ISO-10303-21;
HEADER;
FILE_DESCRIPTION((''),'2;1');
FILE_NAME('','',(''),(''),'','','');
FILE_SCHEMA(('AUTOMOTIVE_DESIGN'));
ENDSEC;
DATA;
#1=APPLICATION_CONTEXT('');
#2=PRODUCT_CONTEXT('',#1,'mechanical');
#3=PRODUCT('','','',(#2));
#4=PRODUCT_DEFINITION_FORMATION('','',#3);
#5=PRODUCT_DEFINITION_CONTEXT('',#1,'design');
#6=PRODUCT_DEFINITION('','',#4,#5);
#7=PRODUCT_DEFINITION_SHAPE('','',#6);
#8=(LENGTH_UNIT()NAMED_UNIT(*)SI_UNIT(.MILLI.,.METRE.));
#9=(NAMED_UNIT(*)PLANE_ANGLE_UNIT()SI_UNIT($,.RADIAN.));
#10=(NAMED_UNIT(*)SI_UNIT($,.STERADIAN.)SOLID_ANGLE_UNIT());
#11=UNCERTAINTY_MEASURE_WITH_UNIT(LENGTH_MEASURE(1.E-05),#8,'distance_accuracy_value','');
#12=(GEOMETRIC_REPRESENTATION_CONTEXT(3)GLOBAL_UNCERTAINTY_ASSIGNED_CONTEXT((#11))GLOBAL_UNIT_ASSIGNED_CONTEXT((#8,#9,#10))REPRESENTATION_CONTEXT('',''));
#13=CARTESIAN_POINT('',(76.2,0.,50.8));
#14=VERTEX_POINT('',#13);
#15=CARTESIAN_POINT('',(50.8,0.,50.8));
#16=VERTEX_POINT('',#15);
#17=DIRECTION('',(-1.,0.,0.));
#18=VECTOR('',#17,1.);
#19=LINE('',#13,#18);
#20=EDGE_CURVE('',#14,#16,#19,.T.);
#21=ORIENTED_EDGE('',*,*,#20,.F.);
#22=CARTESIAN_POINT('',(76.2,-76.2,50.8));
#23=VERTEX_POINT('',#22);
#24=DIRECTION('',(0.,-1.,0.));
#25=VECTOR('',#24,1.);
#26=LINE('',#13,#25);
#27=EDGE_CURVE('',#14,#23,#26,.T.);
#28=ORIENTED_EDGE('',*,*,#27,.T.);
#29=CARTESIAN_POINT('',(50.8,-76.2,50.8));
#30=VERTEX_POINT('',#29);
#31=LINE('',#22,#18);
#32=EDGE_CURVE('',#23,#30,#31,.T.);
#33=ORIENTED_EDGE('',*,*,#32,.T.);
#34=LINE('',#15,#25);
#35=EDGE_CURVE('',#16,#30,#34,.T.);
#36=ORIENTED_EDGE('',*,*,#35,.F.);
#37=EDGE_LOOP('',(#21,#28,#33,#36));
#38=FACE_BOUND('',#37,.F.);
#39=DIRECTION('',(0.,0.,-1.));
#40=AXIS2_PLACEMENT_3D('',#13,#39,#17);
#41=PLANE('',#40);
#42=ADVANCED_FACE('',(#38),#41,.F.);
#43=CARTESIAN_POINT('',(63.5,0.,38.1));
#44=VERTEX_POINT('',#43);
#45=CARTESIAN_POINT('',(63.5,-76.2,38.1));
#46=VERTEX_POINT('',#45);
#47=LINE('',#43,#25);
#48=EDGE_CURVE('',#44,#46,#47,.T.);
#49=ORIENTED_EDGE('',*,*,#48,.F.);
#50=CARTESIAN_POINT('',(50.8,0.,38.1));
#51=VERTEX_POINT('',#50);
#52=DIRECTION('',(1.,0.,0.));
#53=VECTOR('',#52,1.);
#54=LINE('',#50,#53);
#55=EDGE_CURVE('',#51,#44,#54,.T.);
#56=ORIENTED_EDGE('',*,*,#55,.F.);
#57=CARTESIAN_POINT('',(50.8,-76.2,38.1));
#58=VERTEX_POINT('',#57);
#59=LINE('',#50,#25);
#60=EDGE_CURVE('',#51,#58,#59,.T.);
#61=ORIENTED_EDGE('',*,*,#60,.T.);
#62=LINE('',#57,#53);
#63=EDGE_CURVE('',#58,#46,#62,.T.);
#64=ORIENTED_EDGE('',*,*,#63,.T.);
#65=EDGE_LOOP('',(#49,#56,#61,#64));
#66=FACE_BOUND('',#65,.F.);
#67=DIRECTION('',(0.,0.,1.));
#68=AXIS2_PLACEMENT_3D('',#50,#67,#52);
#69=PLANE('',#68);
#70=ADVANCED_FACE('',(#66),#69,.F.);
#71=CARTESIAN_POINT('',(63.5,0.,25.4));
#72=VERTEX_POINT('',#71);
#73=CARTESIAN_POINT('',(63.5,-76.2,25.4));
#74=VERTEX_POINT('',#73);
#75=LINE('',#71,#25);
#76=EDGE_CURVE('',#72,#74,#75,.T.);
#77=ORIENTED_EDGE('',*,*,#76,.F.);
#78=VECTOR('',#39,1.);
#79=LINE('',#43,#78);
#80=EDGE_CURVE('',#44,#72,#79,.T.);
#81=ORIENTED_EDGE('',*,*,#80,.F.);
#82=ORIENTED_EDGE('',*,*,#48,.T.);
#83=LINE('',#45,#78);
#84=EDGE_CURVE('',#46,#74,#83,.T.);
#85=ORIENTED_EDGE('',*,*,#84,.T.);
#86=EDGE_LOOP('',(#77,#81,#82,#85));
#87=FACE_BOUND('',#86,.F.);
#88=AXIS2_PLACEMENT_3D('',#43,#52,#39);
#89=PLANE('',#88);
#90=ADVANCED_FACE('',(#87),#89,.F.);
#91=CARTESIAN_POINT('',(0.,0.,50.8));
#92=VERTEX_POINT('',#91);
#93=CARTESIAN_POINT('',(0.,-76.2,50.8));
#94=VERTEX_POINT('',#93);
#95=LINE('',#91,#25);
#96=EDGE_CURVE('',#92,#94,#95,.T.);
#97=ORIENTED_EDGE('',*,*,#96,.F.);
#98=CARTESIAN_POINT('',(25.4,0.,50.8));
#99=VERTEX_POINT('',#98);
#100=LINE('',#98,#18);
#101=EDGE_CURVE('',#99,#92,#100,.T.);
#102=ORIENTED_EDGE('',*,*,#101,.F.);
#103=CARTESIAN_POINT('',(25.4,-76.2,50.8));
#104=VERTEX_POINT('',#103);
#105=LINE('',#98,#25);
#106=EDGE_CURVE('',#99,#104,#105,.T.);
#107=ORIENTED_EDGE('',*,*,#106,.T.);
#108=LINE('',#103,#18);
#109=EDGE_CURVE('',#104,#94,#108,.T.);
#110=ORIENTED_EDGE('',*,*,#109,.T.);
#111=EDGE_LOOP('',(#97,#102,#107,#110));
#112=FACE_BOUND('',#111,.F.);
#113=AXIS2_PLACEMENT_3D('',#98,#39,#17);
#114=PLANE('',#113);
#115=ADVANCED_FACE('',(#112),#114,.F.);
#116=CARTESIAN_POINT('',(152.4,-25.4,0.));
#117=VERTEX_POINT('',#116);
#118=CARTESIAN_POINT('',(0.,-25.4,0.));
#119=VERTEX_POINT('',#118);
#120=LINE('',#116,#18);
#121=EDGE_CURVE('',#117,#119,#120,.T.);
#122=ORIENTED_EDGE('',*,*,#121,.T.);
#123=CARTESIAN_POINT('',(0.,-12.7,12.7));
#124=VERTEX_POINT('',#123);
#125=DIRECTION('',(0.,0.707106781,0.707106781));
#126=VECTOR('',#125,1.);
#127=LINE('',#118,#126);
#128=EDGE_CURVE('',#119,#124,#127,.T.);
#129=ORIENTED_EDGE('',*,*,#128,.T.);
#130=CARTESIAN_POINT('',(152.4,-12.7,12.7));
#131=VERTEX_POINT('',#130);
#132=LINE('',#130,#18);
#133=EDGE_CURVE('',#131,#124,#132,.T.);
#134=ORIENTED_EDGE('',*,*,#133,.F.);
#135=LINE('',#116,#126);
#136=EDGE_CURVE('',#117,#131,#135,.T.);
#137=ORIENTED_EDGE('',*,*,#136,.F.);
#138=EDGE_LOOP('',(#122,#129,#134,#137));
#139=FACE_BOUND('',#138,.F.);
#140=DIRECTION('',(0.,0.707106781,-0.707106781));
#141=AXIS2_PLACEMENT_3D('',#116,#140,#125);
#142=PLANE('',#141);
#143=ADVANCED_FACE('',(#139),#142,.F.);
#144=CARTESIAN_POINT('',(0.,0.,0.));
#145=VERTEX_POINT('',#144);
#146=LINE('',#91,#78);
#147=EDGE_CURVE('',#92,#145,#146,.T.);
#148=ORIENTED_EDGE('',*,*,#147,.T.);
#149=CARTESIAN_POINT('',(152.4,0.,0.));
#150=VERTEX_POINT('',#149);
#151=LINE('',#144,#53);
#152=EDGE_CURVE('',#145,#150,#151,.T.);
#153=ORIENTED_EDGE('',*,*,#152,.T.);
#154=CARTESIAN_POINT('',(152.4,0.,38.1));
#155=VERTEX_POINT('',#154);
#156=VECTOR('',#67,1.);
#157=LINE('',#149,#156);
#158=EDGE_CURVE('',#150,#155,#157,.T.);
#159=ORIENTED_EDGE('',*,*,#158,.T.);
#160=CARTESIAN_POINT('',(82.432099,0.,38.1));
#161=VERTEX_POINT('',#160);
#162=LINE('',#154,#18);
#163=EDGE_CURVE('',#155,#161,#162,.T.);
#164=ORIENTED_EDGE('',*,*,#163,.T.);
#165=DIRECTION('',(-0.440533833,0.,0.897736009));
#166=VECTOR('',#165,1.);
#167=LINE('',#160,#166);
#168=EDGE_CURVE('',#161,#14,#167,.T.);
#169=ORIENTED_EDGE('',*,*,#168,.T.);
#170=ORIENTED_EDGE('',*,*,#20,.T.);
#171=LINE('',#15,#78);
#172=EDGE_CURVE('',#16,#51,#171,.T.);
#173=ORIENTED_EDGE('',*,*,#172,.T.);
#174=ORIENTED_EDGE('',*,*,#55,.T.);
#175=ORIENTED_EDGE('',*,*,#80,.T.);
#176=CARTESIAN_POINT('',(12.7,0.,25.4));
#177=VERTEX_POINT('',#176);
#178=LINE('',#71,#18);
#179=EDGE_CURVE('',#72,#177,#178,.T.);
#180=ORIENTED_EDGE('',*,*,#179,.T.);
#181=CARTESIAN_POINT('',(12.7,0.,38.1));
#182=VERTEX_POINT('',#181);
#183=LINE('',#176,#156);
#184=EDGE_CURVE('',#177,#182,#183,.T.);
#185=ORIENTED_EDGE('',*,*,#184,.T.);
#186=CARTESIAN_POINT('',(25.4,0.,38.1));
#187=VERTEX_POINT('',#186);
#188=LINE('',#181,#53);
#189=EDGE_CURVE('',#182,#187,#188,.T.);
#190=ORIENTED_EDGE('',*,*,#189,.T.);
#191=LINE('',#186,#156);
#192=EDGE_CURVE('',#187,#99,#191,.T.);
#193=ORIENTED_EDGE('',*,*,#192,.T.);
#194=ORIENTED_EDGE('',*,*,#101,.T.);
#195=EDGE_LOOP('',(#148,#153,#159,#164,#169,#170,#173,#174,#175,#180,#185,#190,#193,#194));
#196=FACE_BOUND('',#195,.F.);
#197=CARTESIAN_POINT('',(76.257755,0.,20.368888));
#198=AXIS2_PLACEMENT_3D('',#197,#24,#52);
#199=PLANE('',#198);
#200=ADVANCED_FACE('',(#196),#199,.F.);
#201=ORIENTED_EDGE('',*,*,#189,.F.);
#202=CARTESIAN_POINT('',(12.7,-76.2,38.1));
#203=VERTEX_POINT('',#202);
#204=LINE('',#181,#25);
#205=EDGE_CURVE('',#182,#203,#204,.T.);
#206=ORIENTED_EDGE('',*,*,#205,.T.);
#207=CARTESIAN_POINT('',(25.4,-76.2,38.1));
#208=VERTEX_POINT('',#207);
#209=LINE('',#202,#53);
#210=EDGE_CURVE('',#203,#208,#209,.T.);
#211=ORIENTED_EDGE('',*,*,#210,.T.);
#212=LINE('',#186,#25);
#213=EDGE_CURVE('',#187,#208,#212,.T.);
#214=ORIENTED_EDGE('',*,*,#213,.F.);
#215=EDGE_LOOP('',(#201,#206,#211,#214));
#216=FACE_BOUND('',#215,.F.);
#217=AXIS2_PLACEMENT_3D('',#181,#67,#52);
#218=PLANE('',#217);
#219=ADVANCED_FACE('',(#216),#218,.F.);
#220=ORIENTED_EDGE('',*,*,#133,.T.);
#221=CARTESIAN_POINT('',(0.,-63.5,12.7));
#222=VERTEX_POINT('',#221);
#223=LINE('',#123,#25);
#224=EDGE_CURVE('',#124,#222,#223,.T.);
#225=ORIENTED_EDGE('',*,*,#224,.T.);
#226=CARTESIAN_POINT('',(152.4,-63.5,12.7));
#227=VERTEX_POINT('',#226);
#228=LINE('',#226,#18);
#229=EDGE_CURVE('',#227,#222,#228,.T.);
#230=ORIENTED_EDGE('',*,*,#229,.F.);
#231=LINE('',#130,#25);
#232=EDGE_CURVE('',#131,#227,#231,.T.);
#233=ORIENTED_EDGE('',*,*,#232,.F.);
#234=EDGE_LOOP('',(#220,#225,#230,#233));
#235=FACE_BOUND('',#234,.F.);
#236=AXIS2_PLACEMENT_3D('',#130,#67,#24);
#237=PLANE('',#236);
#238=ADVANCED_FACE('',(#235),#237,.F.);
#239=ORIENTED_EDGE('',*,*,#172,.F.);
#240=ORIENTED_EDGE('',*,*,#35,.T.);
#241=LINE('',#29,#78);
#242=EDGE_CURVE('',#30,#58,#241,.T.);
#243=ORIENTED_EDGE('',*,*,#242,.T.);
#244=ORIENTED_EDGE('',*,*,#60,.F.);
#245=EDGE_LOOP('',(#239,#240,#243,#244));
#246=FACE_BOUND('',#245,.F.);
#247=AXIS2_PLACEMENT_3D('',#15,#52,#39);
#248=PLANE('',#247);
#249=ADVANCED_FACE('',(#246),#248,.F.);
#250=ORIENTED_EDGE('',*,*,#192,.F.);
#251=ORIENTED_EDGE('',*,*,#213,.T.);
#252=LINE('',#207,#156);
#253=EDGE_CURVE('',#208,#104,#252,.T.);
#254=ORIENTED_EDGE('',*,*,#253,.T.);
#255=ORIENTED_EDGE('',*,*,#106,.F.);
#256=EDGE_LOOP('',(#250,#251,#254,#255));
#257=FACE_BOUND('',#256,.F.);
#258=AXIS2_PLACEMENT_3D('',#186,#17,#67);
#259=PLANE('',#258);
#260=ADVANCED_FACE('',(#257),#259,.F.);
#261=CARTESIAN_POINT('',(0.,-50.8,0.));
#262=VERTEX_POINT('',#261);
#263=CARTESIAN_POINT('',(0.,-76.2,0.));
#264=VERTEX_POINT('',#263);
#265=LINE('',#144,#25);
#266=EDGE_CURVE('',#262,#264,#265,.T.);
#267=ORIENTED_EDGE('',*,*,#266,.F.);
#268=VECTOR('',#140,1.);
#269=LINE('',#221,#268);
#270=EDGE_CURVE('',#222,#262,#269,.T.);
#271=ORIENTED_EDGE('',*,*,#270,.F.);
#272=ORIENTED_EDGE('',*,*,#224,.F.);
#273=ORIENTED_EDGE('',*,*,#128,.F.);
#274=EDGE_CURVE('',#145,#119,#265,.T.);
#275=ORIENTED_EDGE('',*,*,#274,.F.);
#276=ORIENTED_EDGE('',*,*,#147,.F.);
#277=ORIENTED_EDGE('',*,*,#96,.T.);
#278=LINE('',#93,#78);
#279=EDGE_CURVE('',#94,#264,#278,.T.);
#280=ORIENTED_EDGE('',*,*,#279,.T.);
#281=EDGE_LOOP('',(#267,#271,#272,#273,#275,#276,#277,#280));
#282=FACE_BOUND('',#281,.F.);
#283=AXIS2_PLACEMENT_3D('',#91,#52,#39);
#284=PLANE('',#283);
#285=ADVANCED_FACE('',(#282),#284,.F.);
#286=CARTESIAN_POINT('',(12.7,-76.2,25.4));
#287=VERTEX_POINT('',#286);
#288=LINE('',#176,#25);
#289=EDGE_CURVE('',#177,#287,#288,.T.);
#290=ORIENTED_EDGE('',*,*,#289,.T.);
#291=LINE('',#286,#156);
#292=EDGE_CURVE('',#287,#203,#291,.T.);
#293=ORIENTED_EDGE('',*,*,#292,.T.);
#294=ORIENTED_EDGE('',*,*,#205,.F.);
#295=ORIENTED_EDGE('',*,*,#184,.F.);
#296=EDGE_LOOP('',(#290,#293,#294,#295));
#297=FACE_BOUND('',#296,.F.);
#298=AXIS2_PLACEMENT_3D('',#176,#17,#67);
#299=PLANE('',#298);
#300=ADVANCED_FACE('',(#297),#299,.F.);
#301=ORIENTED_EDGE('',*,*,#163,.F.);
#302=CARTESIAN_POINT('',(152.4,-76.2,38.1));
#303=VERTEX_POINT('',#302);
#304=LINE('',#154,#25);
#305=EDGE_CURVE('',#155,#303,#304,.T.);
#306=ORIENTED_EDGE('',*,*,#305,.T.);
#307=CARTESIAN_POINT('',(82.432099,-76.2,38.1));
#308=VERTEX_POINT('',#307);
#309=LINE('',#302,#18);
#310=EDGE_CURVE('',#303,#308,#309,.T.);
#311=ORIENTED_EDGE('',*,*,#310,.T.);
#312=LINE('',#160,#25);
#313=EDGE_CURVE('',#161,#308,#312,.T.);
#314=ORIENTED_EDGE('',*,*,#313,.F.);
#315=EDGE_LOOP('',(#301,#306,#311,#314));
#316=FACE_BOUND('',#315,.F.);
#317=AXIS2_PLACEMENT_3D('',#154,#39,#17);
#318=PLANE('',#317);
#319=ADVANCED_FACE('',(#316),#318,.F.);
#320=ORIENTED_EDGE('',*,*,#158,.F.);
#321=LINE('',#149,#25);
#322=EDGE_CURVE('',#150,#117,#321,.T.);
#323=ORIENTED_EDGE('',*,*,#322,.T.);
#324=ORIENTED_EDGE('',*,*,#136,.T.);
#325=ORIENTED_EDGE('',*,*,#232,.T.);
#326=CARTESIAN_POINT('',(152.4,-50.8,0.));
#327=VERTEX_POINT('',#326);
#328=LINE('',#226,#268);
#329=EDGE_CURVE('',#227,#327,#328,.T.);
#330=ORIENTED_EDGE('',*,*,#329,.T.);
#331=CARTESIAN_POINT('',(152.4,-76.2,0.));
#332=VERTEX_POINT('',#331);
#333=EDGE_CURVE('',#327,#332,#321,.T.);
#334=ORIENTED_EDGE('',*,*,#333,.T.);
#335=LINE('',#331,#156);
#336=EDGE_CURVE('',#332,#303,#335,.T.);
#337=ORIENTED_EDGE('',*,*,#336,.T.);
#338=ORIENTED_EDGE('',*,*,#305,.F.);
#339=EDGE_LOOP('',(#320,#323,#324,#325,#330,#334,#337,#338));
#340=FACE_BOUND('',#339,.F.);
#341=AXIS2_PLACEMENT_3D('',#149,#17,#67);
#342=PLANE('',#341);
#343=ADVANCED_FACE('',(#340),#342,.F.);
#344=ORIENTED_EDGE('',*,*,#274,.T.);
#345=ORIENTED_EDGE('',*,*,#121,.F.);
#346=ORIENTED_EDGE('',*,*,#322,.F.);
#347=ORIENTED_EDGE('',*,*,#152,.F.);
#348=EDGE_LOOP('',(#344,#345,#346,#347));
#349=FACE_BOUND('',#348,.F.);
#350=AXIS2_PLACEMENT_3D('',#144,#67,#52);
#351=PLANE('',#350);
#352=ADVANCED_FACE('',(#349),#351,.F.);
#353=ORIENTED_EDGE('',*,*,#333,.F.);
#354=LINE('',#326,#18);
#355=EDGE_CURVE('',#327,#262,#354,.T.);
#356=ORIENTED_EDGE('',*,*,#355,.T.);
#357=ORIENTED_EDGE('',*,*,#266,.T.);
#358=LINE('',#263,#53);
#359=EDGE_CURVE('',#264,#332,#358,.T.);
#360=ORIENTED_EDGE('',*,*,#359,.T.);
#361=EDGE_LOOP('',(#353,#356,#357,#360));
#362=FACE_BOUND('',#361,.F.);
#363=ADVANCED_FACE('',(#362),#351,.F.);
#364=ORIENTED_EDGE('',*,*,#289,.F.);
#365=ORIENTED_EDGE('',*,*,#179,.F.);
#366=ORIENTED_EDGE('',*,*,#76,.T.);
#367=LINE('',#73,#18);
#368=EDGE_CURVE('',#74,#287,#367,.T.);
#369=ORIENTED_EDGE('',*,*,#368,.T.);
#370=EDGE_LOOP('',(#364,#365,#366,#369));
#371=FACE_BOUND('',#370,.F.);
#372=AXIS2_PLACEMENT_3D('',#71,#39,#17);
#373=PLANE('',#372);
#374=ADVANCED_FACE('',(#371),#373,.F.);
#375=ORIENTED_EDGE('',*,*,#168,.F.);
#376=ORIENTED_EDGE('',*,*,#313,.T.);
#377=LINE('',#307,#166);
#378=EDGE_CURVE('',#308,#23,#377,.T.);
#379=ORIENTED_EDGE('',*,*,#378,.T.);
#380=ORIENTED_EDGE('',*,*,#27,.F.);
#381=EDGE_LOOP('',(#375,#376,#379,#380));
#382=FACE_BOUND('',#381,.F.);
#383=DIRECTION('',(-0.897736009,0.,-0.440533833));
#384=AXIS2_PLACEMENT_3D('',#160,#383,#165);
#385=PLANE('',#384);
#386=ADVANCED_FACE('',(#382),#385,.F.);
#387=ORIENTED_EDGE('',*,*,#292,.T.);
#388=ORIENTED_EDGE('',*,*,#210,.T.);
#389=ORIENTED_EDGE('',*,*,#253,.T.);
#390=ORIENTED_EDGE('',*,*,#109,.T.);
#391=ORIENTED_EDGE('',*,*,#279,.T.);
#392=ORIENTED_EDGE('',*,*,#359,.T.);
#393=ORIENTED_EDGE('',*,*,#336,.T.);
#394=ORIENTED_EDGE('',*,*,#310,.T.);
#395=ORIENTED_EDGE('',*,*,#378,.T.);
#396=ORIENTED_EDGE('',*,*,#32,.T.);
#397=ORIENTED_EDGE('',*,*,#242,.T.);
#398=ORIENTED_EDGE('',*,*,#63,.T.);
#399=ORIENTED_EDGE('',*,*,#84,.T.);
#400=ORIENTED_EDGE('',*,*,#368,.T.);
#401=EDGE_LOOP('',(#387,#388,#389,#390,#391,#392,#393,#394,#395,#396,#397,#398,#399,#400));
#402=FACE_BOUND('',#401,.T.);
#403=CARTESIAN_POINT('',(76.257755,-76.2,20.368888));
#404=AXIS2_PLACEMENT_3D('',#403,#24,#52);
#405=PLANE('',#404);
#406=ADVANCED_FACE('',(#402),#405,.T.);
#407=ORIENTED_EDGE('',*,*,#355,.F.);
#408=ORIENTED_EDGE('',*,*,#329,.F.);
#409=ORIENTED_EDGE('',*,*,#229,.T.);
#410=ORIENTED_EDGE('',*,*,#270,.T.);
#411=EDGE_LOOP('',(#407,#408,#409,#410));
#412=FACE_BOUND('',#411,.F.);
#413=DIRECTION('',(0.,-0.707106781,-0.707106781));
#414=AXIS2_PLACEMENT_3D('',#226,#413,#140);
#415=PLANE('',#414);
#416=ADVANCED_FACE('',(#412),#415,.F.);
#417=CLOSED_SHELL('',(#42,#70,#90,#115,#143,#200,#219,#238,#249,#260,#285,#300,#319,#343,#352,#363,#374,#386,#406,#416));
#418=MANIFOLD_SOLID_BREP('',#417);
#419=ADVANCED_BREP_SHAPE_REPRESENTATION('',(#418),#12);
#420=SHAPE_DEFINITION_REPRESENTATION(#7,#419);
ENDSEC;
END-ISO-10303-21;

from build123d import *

# Parameters (mm, degrees)
F1_DEPTH = 76.2
F3_DEPTH = 152.4


with BuildPart() as f1:
    # F0 (on Front) → F1 (new body)
    with BuildSketch(Plane.XZ):
        Polygon((0, 25.4), (0, 0), (152.4, 0), (152.4, 38.1), (82.432099, 38.1), (76.2, 50.8), (50.8, 50.8), (50.8, 38.1), (63.5, 38.1), (63.5, 25.4), (12.7, 25.4), align=None)
        Polygon((0, 50.8), (0, 25.4), (12.7, 25.4), (12.7, 38.1), (25.4, 38.1), (25.4, 50.8), align=None)
    extrude(amount=F1_DEPTH)

    # F2 (on face) → F3 (cut)
    with BuildSketch(Plane.YZ.offset(152.4)):
        Polygon((-63.5, 12.7), (-50.8, 0), (-25.4, 0), (-12.7, 12.7), align=None)
    extrude(amount=-F3_DEPTH, mode=Mode.SUBTRACT)


solid = f1.part
